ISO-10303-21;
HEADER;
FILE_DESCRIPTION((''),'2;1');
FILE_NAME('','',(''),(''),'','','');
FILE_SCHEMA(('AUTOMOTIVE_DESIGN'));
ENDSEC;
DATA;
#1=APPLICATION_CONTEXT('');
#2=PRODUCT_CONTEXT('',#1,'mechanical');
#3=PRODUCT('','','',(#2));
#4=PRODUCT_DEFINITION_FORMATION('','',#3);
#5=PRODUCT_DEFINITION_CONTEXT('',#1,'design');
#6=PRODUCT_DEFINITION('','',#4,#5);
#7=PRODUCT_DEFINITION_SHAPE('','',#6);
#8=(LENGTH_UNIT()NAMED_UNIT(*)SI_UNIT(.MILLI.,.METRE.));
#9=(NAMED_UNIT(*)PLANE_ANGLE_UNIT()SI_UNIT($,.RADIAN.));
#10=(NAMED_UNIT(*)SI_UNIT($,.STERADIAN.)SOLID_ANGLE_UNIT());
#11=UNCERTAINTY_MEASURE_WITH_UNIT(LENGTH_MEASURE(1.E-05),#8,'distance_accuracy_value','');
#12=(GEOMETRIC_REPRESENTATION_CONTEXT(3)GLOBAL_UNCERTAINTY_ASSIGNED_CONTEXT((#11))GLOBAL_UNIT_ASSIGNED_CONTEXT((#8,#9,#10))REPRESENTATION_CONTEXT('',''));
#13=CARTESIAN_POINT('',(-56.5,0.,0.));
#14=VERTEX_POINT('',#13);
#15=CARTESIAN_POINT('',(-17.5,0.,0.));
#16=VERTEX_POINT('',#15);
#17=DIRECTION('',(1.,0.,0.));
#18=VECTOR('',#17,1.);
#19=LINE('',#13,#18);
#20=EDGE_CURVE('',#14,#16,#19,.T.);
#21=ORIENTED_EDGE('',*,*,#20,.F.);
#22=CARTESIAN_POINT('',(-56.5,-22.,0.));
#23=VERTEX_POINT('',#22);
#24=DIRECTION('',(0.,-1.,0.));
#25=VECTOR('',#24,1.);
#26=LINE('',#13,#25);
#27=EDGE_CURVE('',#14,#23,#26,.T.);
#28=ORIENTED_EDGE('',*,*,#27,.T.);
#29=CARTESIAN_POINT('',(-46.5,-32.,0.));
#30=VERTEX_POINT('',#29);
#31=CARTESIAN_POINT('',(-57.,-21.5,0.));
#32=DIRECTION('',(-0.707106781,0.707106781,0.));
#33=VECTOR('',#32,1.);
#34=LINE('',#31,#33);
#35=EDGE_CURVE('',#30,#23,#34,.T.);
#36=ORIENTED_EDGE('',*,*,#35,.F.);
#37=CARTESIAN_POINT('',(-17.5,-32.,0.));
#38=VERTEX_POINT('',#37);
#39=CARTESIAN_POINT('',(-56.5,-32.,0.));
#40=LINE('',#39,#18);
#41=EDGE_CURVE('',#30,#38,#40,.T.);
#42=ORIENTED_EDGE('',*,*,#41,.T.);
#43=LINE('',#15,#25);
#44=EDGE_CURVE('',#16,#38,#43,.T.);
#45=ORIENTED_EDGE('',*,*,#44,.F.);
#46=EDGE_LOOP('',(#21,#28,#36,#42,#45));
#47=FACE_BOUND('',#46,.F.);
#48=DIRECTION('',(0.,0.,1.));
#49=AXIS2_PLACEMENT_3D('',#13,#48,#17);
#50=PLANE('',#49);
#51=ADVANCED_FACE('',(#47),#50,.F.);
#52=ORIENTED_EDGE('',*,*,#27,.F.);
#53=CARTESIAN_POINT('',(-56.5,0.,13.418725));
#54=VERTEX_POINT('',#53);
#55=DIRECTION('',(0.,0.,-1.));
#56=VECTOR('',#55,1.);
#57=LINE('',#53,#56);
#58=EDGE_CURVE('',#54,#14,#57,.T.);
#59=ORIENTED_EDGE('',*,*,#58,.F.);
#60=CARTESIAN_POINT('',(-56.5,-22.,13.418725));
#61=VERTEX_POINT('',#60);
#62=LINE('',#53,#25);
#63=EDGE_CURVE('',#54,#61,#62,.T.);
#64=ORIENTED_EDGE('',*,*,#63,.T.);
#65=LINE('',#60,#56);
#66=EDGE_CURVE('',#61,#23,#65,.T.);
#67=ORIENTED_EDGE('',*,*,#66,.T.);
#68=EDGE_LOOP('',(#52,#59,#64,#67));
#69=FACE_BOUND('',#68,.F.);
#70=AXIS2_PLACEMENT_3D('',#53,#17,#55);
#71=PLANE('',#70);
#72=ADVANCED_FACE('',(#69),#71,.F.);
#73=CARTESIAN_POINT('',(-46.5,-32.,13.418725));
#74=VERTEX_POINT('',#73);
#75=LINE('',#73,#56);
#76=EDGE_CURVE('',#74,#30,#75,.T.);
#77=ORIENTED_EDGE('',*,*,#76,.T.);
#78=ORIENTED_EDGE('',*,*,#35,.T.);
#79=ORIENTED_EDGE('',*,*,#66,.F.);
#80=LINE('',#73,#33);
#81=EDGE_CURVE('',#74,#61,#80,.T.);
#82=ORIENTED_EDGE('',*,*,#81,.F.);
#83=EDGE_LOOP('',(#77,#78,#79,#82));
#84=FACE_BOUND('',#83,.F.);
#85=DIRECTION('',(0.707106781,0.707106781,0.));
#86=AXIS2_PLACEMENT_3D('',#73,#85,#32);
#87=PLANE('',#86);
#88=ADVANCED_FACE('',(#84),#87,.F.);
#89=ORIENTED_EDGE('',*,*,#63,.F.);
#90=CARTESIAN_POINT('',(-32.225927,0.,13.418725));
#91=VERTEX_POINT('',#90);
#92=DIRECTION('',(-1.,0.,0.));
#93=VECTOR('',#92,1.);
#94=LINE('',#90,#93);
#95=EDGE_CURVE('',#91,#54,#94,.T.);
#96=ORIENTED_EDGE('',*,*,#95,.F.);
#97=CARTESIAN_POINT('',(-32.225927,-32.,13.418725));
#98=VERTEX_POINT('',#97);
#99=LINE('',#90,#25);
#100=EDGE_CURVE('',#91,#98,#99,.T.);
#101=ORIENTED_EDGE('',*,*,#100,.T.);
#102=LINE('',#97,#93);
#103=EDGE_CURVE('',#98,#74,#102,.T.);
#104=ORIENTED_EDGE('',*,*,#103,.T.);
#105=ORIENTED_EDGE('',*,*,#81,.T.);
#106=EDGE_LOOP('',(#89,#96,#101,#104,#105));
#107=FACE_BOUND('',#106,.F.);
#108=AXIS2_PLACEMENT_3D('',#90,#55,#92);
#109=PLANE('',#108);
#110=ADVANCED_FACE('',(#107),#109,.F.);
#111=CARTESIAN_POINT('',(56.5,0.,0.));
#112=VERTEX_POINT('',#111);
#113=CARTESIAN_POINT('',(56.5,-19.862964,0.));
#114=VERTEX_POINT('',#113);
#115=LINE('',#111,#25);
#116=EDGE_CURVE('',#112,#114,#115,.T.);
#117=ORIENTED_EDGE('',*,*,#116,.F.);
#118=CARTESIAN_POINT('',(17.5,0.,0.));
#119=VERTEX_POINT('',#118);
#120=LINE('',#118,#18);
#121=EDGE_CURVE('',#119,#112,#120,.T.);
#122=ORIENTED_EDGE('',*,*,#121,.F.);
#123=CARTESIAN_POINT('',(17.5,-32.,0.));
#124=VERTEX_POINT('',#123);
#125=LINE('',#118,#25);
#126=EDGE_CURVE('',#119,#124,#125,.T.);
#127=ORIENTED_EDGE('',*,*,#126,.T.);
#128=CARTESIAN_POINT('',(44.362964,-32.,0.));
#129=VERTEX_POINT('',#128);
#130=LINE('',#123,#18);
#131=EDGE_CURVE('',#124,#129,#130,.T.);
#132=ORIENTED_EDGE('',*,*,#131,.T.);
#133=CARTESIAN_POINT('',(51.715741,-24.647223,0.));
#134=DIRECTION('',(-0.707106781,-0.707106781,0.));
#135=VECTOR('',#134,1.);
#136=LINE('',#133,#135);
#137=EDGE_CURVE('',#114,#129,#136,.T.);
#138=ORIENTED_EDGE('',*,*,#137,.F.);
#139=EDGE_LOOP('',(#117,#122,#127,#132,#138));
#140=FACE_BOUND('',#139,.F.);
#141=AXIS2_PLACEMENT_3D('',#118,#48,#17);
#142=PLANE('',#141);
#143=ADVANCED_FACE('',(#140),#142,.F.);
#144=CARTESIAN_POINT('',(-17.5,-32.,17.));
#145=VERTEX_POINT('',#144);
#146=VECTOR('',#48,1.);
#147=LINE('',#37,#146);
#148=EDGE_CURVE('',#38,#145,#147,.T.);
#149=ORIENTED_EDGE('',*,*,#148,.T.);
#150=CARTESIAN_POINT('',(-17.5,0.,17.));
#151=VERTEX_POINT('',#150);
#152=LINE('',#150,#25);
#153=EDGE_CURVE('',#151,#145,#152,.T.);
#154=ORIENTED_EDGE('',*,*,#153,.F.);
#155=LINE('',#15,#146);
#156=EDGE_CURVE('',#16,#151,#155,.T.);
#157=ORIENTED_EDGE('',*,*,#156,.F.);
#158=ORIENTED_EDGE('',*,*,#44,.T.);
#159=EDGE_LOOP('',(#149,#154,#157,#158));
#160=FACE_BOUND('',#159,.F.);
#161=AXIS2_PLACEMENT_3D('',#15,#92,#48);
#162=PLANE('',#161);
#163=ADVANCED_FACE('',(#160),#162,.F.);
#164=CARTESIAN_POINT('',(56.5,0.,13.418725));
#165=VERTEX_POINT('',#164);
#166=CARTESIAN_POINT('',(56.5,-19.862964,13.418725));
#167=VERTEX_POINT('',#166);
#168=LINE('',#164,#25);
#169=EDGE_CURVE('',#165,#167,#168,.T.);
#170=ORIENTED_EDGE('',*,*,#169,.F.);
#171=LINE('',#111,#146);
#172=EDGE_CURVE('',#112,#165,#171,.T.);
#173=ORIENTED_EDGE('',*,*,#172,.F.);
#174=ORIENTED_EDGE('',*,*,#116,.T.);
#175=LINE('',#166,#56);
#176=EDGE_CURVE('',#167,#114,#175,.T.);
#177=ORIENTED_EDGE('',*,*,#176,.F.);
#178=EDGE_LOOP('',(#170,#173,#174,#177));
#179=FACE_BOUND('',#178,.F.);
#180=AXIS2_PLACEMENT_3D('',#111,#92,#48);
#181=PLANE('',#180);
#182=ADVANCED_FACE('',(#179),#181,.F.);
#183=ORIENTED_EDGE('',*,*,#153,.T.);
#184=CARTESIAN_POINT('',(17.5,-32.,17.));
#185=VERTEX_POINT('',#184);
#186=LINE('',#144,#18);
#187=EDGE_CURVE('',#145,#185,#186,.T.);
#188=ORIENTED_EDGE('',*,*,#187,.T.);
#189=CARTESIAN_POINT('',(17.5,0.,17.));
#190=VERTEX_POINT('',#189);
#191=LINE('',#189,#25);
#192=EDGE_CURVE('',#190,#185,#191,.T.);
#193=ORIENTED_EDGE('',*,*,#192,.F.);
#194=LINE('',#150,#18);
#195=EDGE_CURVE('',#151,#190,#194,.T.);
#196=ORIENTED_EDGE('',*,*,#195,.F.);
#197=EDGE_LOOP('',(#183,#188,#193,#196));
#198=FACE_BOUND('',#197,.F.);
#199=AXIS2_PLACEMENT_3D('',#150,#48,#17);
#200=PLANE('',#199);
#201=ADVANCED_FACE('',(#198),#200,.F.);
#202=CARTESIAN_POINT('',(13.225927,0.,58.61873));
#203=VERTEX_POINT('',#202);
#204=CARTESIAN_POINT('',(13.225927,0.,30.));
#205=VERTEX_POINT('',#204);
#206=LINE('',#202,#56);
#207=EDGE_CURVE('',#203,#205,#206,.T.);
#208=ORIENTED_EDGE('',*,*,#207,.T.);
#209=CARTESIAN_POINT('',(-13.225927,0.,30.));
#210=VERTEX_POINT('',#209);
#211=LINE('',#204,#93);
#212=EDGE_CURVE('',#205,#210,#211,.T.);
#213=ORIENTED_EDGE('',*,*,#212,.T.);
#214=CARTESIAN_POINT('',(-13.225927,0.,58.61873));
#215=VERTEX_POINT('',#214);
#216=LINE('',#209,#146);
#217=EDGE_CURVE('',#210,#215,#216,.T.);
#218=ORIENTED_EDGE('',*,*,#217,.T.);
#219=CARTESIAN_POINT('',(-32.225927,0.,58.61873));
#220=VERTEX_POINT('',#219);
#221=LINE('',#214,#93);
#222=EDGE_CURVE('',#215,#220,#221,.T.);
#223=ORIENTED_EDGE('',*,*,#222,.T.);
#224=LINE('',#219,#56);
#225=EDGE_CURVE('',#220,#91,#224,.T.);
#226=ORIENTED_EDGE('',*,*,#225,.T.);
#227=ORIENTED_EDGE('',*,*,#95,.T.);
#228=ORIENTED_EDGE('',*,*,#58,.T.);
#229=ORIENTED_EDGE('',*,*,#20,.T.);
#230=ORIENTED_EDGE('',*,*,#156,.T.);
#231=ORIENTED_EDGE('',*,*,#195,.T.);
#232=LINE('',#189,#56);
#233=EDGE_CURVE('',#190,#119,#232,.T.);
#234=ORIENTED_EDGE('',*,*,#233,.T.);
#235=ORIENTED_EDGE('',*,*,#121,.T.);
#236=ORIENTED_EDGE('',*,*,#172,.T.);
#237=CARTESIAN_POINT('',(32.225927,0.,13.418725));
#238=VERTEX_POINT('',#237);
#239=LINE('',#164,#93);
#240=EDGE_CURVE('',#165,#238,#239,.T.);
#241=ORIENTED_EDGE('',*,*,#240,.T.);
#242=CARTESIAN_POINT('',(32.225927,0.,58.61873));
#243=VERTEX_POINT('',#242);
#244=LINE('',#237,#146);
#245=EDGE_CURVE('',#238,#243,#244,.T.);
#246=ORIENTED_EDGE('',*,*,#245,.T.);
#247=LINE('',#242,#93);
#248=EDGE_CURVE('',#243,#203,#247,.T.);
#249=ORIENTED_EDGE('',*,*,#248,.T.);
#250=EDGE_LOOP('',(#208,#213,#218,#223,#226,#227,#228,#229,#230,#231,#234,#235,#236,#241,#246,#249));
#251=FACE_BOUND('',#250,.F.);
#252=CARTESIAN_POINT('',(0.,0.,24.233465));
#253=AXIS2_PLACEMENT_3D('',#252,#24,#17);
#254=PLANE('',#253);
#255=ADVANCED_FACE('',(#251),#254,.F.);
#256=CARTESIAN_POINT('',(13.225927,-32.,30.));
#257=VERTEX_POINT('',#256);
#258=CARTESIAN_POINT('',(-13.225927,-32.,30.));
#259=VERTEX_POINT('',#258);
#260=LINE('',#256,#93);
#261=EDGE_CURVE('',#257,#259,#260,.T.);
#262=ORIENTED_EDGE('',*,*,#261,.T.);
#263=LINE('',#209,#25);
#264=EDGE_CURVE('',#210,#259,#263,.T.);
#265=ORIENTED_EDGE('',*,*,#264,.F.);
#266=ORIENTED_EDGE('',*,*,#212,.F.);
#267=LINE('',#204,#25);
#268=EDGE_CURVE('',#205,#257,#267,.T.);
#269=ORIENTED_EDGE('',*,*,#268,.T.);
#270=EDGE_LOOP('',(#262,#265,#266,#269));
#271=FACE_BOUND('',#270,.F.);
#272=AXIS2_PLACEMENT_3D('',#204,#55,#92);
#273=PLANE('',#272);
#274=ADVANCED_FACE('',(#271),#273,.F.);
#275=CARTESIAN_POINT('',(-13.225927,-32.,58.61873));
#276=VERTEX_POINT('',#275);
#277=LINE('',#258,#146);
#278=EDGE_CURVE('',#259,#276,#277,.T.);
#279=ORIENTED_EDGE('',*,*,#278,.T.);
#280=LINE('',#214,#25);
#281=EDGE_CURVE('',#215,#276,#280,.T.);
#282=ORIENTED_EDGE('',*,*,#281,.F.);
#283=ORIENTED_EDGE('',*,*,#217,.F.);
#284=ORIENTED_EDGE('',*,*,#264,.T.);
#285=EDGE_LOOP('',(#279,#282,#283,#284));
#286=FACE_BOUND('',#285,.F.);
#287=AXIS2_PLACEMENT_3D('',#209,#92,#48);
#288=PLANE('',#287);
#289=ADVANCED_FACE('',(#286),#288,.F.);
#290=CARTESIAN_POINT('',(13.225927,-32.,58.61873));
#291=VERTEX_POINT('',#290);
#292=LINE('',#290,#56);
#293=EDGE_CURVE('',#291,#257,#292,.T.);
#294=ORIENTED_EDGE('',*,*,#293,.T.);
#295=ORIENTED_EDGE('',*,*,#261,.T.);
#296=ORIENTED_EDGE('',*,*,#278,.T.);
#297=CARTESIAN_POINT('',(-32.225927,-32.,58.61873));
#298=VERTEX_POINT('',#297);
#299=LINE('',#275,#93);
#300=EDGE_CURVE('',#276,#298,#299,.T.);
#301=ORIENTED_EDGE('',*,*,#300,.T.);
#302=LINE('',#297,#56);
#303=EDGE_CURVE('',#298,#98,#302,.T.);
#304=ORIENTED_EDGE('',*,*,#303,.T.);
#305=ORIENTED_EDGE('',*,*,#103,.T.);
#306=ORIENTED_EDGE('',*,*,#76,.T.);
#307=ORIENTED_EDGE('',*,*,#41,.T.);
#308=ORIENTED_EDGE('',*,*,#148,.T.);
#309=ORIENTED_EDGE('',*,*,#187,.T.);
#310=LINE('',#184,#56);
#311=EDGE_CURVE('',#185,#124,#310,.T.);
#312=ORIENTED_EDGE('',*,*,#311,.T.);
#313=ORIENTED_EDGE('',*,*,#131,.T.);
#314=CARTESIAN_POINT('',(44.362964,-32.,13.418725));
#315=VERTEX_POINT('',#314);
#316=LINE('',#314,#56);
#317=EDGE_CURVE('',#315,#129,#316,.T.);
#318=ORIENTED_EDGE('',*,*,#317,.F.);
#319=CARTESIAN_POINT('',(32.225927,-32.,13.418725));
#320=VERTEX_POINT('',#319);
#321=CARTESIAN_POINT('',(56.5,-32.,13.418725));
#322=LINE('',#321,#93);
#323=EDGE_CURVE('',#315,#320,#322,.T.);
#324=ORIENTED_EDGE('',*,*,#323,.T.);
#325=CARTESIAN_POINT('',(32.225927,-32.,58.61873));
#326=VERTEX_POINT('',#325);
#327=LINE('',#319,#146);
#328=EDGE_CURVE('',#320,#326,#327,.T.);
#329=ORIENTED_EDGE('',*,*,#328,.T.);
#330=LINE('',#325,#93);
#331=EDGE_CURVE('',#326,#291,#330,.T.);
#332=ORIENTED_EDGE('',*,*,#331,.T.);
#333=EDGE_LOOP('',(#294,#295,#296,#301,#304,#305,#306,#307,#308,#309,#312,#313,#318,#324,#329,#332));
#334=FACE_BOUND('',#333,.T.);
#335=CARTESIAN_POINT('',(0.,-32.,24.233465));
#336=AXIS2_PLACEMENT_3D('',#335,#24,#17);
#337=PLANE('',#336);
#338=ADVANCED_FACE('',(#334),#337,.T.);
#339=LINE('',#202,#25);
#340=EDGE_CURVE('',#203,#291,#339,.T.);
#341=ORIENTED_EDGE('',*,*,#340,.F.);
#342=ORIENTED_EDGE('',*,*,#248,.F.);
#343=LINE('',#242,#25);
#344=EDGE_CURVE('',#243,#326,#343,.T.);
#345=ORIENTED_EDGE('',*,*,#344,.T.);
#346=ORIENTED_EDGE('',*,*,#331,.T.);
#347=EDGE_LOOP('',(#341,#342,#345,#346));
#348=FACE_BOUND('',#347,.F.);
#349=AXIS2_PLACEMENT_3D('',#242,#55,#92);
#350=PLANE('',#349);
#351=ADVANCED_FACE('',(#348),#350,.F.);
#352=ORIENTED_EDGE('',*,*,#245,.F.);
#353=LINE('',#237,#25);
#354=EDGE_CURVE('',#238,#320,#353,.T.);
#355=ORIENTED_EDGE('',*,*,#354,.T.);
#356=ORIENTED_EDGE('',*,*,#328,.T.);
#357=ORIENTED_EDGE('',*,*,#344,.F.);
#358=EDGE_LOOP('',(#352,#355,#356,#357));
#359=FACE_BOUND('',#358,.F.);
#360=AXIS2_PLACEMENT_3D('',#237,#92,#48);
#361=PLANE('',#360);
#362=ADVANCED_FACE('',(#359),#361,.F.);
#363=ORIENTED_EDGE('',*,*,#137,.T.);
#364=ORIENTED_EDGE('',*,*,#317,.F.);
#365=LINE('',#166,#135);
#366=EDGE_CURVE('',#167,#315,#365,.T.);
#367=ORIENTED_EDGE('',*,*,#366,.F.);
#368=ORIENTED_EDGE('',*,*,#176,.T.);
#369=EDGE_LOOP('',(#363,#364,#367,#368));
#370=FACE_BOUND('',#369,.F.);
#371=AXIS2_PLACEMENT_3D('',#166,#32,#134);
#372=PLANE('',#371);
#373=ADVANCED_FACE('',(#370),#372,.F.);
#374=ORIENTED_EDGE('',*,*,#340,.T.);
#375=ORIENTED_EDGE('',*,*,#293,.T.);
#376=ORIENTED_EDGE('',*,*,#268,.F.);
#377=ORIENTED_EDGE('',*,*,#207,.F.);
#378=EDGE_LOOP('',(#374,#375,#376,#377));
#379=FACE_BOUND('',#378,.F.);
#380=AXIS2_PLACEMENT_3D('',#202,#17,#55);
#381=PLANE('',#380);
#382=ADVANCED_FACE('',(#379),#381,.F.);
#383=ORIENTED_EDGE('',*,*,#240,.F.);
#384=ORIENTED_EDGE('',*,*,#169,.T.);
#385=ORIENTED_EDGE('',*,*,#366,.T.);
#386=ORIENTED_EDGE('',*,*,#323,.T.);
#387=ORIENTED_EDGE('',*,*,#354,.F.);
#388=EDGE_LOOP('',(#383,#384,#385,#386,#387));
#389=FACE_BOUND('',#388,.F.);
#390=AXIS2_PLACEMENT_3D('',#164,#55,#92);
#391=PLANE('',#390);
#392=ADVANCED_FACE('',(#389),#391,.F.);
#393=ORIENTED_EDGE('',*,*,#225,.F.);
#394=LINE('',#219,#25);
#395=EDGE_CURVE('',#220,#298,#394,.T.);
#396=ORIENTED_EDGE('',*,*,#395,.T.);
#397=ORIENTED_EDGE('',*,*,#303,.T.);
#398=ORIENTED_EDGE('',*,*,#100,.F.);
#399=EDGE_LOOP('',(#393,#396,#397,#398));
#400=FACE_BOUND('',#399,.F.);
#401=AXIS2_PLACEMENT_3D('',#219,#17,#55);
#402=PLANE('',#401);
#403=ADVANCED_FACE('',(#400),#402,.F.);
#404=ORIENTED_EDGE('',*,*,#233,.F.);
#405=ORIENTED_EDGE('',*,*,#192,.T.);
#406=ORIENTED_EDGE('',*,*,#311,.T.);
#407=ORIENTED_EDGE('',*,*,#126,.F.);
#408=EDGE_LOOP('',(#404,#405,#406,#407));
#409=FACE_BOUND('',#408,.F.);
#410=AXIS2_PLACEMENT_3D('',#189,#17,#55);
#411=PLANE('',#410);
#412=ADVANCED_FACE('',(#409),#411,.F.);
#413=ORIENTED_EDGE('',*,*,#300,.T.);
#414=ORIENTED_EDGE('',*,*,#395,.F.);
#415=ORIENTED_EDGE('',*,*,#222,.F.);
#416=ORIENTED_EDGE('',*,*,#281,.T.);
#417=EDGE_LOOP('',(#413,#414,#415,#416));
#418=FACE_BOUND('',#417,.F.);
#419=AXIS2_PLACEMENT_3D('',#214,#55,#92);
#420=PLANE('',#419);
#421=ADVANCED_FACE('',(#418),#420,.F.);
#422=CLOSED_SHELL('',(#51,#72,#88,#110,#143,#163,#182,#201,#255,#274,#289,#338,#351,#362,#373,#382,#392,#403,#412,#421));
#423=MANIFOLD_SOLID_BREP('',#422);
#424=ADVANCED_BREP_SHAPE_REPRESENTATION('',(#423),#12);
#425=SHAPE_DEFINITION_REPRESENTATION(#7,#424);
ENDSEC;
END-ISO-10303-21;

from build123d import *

# Parameters (mm, degrees)
F1_DEPTH = 32
F3_DEPTH = 13.419725
F5_DEPTH = 13.419725


with BuildPart() as f1:
    # F0 (on Front) → F1 (new body)
    with BuildSketch(Plane.XZ):
        Polygon((-56.5, 13.418725), (-56.5, 0), (-17.5, 0), (-17.5, 17), (17.5, 17), (17.5, 0), (56.5, 0), (56.5, 13.418725), (32.225927, 13.418725), (32.225927, 58.61873), (13.225927, 58.61873), (13.225927, 30), (-13.225927, 30), (-13.225927, 58.61873), (-32.225927, 58.61873), (-32.225927, 13.418725), align=None)
    extrude(amount=F1_DEPTH)

    # F2 (on face) → F3 (cut, through all)
    with BuildSketch(Plane.XY.offset(13.418725)):
        Polygon((-56.5, -32), (-46.5, -32), (-56.5, -22), align=None)
    extrude(amount=-F3_DEPTH, mode=Mode.SUBTRACT)

    # F4 (on face) → F5 (cut, through all)
    with BuildSketch(Plane.XY.offset(13.418725)):
        Polygon((56.5, -19.862964), (44.362964, -32), (56.5, -32), align=None)
    extrude(amount=-F5_DEPTH, mode=Mode.SUBTRACT)


solid = f1.part
